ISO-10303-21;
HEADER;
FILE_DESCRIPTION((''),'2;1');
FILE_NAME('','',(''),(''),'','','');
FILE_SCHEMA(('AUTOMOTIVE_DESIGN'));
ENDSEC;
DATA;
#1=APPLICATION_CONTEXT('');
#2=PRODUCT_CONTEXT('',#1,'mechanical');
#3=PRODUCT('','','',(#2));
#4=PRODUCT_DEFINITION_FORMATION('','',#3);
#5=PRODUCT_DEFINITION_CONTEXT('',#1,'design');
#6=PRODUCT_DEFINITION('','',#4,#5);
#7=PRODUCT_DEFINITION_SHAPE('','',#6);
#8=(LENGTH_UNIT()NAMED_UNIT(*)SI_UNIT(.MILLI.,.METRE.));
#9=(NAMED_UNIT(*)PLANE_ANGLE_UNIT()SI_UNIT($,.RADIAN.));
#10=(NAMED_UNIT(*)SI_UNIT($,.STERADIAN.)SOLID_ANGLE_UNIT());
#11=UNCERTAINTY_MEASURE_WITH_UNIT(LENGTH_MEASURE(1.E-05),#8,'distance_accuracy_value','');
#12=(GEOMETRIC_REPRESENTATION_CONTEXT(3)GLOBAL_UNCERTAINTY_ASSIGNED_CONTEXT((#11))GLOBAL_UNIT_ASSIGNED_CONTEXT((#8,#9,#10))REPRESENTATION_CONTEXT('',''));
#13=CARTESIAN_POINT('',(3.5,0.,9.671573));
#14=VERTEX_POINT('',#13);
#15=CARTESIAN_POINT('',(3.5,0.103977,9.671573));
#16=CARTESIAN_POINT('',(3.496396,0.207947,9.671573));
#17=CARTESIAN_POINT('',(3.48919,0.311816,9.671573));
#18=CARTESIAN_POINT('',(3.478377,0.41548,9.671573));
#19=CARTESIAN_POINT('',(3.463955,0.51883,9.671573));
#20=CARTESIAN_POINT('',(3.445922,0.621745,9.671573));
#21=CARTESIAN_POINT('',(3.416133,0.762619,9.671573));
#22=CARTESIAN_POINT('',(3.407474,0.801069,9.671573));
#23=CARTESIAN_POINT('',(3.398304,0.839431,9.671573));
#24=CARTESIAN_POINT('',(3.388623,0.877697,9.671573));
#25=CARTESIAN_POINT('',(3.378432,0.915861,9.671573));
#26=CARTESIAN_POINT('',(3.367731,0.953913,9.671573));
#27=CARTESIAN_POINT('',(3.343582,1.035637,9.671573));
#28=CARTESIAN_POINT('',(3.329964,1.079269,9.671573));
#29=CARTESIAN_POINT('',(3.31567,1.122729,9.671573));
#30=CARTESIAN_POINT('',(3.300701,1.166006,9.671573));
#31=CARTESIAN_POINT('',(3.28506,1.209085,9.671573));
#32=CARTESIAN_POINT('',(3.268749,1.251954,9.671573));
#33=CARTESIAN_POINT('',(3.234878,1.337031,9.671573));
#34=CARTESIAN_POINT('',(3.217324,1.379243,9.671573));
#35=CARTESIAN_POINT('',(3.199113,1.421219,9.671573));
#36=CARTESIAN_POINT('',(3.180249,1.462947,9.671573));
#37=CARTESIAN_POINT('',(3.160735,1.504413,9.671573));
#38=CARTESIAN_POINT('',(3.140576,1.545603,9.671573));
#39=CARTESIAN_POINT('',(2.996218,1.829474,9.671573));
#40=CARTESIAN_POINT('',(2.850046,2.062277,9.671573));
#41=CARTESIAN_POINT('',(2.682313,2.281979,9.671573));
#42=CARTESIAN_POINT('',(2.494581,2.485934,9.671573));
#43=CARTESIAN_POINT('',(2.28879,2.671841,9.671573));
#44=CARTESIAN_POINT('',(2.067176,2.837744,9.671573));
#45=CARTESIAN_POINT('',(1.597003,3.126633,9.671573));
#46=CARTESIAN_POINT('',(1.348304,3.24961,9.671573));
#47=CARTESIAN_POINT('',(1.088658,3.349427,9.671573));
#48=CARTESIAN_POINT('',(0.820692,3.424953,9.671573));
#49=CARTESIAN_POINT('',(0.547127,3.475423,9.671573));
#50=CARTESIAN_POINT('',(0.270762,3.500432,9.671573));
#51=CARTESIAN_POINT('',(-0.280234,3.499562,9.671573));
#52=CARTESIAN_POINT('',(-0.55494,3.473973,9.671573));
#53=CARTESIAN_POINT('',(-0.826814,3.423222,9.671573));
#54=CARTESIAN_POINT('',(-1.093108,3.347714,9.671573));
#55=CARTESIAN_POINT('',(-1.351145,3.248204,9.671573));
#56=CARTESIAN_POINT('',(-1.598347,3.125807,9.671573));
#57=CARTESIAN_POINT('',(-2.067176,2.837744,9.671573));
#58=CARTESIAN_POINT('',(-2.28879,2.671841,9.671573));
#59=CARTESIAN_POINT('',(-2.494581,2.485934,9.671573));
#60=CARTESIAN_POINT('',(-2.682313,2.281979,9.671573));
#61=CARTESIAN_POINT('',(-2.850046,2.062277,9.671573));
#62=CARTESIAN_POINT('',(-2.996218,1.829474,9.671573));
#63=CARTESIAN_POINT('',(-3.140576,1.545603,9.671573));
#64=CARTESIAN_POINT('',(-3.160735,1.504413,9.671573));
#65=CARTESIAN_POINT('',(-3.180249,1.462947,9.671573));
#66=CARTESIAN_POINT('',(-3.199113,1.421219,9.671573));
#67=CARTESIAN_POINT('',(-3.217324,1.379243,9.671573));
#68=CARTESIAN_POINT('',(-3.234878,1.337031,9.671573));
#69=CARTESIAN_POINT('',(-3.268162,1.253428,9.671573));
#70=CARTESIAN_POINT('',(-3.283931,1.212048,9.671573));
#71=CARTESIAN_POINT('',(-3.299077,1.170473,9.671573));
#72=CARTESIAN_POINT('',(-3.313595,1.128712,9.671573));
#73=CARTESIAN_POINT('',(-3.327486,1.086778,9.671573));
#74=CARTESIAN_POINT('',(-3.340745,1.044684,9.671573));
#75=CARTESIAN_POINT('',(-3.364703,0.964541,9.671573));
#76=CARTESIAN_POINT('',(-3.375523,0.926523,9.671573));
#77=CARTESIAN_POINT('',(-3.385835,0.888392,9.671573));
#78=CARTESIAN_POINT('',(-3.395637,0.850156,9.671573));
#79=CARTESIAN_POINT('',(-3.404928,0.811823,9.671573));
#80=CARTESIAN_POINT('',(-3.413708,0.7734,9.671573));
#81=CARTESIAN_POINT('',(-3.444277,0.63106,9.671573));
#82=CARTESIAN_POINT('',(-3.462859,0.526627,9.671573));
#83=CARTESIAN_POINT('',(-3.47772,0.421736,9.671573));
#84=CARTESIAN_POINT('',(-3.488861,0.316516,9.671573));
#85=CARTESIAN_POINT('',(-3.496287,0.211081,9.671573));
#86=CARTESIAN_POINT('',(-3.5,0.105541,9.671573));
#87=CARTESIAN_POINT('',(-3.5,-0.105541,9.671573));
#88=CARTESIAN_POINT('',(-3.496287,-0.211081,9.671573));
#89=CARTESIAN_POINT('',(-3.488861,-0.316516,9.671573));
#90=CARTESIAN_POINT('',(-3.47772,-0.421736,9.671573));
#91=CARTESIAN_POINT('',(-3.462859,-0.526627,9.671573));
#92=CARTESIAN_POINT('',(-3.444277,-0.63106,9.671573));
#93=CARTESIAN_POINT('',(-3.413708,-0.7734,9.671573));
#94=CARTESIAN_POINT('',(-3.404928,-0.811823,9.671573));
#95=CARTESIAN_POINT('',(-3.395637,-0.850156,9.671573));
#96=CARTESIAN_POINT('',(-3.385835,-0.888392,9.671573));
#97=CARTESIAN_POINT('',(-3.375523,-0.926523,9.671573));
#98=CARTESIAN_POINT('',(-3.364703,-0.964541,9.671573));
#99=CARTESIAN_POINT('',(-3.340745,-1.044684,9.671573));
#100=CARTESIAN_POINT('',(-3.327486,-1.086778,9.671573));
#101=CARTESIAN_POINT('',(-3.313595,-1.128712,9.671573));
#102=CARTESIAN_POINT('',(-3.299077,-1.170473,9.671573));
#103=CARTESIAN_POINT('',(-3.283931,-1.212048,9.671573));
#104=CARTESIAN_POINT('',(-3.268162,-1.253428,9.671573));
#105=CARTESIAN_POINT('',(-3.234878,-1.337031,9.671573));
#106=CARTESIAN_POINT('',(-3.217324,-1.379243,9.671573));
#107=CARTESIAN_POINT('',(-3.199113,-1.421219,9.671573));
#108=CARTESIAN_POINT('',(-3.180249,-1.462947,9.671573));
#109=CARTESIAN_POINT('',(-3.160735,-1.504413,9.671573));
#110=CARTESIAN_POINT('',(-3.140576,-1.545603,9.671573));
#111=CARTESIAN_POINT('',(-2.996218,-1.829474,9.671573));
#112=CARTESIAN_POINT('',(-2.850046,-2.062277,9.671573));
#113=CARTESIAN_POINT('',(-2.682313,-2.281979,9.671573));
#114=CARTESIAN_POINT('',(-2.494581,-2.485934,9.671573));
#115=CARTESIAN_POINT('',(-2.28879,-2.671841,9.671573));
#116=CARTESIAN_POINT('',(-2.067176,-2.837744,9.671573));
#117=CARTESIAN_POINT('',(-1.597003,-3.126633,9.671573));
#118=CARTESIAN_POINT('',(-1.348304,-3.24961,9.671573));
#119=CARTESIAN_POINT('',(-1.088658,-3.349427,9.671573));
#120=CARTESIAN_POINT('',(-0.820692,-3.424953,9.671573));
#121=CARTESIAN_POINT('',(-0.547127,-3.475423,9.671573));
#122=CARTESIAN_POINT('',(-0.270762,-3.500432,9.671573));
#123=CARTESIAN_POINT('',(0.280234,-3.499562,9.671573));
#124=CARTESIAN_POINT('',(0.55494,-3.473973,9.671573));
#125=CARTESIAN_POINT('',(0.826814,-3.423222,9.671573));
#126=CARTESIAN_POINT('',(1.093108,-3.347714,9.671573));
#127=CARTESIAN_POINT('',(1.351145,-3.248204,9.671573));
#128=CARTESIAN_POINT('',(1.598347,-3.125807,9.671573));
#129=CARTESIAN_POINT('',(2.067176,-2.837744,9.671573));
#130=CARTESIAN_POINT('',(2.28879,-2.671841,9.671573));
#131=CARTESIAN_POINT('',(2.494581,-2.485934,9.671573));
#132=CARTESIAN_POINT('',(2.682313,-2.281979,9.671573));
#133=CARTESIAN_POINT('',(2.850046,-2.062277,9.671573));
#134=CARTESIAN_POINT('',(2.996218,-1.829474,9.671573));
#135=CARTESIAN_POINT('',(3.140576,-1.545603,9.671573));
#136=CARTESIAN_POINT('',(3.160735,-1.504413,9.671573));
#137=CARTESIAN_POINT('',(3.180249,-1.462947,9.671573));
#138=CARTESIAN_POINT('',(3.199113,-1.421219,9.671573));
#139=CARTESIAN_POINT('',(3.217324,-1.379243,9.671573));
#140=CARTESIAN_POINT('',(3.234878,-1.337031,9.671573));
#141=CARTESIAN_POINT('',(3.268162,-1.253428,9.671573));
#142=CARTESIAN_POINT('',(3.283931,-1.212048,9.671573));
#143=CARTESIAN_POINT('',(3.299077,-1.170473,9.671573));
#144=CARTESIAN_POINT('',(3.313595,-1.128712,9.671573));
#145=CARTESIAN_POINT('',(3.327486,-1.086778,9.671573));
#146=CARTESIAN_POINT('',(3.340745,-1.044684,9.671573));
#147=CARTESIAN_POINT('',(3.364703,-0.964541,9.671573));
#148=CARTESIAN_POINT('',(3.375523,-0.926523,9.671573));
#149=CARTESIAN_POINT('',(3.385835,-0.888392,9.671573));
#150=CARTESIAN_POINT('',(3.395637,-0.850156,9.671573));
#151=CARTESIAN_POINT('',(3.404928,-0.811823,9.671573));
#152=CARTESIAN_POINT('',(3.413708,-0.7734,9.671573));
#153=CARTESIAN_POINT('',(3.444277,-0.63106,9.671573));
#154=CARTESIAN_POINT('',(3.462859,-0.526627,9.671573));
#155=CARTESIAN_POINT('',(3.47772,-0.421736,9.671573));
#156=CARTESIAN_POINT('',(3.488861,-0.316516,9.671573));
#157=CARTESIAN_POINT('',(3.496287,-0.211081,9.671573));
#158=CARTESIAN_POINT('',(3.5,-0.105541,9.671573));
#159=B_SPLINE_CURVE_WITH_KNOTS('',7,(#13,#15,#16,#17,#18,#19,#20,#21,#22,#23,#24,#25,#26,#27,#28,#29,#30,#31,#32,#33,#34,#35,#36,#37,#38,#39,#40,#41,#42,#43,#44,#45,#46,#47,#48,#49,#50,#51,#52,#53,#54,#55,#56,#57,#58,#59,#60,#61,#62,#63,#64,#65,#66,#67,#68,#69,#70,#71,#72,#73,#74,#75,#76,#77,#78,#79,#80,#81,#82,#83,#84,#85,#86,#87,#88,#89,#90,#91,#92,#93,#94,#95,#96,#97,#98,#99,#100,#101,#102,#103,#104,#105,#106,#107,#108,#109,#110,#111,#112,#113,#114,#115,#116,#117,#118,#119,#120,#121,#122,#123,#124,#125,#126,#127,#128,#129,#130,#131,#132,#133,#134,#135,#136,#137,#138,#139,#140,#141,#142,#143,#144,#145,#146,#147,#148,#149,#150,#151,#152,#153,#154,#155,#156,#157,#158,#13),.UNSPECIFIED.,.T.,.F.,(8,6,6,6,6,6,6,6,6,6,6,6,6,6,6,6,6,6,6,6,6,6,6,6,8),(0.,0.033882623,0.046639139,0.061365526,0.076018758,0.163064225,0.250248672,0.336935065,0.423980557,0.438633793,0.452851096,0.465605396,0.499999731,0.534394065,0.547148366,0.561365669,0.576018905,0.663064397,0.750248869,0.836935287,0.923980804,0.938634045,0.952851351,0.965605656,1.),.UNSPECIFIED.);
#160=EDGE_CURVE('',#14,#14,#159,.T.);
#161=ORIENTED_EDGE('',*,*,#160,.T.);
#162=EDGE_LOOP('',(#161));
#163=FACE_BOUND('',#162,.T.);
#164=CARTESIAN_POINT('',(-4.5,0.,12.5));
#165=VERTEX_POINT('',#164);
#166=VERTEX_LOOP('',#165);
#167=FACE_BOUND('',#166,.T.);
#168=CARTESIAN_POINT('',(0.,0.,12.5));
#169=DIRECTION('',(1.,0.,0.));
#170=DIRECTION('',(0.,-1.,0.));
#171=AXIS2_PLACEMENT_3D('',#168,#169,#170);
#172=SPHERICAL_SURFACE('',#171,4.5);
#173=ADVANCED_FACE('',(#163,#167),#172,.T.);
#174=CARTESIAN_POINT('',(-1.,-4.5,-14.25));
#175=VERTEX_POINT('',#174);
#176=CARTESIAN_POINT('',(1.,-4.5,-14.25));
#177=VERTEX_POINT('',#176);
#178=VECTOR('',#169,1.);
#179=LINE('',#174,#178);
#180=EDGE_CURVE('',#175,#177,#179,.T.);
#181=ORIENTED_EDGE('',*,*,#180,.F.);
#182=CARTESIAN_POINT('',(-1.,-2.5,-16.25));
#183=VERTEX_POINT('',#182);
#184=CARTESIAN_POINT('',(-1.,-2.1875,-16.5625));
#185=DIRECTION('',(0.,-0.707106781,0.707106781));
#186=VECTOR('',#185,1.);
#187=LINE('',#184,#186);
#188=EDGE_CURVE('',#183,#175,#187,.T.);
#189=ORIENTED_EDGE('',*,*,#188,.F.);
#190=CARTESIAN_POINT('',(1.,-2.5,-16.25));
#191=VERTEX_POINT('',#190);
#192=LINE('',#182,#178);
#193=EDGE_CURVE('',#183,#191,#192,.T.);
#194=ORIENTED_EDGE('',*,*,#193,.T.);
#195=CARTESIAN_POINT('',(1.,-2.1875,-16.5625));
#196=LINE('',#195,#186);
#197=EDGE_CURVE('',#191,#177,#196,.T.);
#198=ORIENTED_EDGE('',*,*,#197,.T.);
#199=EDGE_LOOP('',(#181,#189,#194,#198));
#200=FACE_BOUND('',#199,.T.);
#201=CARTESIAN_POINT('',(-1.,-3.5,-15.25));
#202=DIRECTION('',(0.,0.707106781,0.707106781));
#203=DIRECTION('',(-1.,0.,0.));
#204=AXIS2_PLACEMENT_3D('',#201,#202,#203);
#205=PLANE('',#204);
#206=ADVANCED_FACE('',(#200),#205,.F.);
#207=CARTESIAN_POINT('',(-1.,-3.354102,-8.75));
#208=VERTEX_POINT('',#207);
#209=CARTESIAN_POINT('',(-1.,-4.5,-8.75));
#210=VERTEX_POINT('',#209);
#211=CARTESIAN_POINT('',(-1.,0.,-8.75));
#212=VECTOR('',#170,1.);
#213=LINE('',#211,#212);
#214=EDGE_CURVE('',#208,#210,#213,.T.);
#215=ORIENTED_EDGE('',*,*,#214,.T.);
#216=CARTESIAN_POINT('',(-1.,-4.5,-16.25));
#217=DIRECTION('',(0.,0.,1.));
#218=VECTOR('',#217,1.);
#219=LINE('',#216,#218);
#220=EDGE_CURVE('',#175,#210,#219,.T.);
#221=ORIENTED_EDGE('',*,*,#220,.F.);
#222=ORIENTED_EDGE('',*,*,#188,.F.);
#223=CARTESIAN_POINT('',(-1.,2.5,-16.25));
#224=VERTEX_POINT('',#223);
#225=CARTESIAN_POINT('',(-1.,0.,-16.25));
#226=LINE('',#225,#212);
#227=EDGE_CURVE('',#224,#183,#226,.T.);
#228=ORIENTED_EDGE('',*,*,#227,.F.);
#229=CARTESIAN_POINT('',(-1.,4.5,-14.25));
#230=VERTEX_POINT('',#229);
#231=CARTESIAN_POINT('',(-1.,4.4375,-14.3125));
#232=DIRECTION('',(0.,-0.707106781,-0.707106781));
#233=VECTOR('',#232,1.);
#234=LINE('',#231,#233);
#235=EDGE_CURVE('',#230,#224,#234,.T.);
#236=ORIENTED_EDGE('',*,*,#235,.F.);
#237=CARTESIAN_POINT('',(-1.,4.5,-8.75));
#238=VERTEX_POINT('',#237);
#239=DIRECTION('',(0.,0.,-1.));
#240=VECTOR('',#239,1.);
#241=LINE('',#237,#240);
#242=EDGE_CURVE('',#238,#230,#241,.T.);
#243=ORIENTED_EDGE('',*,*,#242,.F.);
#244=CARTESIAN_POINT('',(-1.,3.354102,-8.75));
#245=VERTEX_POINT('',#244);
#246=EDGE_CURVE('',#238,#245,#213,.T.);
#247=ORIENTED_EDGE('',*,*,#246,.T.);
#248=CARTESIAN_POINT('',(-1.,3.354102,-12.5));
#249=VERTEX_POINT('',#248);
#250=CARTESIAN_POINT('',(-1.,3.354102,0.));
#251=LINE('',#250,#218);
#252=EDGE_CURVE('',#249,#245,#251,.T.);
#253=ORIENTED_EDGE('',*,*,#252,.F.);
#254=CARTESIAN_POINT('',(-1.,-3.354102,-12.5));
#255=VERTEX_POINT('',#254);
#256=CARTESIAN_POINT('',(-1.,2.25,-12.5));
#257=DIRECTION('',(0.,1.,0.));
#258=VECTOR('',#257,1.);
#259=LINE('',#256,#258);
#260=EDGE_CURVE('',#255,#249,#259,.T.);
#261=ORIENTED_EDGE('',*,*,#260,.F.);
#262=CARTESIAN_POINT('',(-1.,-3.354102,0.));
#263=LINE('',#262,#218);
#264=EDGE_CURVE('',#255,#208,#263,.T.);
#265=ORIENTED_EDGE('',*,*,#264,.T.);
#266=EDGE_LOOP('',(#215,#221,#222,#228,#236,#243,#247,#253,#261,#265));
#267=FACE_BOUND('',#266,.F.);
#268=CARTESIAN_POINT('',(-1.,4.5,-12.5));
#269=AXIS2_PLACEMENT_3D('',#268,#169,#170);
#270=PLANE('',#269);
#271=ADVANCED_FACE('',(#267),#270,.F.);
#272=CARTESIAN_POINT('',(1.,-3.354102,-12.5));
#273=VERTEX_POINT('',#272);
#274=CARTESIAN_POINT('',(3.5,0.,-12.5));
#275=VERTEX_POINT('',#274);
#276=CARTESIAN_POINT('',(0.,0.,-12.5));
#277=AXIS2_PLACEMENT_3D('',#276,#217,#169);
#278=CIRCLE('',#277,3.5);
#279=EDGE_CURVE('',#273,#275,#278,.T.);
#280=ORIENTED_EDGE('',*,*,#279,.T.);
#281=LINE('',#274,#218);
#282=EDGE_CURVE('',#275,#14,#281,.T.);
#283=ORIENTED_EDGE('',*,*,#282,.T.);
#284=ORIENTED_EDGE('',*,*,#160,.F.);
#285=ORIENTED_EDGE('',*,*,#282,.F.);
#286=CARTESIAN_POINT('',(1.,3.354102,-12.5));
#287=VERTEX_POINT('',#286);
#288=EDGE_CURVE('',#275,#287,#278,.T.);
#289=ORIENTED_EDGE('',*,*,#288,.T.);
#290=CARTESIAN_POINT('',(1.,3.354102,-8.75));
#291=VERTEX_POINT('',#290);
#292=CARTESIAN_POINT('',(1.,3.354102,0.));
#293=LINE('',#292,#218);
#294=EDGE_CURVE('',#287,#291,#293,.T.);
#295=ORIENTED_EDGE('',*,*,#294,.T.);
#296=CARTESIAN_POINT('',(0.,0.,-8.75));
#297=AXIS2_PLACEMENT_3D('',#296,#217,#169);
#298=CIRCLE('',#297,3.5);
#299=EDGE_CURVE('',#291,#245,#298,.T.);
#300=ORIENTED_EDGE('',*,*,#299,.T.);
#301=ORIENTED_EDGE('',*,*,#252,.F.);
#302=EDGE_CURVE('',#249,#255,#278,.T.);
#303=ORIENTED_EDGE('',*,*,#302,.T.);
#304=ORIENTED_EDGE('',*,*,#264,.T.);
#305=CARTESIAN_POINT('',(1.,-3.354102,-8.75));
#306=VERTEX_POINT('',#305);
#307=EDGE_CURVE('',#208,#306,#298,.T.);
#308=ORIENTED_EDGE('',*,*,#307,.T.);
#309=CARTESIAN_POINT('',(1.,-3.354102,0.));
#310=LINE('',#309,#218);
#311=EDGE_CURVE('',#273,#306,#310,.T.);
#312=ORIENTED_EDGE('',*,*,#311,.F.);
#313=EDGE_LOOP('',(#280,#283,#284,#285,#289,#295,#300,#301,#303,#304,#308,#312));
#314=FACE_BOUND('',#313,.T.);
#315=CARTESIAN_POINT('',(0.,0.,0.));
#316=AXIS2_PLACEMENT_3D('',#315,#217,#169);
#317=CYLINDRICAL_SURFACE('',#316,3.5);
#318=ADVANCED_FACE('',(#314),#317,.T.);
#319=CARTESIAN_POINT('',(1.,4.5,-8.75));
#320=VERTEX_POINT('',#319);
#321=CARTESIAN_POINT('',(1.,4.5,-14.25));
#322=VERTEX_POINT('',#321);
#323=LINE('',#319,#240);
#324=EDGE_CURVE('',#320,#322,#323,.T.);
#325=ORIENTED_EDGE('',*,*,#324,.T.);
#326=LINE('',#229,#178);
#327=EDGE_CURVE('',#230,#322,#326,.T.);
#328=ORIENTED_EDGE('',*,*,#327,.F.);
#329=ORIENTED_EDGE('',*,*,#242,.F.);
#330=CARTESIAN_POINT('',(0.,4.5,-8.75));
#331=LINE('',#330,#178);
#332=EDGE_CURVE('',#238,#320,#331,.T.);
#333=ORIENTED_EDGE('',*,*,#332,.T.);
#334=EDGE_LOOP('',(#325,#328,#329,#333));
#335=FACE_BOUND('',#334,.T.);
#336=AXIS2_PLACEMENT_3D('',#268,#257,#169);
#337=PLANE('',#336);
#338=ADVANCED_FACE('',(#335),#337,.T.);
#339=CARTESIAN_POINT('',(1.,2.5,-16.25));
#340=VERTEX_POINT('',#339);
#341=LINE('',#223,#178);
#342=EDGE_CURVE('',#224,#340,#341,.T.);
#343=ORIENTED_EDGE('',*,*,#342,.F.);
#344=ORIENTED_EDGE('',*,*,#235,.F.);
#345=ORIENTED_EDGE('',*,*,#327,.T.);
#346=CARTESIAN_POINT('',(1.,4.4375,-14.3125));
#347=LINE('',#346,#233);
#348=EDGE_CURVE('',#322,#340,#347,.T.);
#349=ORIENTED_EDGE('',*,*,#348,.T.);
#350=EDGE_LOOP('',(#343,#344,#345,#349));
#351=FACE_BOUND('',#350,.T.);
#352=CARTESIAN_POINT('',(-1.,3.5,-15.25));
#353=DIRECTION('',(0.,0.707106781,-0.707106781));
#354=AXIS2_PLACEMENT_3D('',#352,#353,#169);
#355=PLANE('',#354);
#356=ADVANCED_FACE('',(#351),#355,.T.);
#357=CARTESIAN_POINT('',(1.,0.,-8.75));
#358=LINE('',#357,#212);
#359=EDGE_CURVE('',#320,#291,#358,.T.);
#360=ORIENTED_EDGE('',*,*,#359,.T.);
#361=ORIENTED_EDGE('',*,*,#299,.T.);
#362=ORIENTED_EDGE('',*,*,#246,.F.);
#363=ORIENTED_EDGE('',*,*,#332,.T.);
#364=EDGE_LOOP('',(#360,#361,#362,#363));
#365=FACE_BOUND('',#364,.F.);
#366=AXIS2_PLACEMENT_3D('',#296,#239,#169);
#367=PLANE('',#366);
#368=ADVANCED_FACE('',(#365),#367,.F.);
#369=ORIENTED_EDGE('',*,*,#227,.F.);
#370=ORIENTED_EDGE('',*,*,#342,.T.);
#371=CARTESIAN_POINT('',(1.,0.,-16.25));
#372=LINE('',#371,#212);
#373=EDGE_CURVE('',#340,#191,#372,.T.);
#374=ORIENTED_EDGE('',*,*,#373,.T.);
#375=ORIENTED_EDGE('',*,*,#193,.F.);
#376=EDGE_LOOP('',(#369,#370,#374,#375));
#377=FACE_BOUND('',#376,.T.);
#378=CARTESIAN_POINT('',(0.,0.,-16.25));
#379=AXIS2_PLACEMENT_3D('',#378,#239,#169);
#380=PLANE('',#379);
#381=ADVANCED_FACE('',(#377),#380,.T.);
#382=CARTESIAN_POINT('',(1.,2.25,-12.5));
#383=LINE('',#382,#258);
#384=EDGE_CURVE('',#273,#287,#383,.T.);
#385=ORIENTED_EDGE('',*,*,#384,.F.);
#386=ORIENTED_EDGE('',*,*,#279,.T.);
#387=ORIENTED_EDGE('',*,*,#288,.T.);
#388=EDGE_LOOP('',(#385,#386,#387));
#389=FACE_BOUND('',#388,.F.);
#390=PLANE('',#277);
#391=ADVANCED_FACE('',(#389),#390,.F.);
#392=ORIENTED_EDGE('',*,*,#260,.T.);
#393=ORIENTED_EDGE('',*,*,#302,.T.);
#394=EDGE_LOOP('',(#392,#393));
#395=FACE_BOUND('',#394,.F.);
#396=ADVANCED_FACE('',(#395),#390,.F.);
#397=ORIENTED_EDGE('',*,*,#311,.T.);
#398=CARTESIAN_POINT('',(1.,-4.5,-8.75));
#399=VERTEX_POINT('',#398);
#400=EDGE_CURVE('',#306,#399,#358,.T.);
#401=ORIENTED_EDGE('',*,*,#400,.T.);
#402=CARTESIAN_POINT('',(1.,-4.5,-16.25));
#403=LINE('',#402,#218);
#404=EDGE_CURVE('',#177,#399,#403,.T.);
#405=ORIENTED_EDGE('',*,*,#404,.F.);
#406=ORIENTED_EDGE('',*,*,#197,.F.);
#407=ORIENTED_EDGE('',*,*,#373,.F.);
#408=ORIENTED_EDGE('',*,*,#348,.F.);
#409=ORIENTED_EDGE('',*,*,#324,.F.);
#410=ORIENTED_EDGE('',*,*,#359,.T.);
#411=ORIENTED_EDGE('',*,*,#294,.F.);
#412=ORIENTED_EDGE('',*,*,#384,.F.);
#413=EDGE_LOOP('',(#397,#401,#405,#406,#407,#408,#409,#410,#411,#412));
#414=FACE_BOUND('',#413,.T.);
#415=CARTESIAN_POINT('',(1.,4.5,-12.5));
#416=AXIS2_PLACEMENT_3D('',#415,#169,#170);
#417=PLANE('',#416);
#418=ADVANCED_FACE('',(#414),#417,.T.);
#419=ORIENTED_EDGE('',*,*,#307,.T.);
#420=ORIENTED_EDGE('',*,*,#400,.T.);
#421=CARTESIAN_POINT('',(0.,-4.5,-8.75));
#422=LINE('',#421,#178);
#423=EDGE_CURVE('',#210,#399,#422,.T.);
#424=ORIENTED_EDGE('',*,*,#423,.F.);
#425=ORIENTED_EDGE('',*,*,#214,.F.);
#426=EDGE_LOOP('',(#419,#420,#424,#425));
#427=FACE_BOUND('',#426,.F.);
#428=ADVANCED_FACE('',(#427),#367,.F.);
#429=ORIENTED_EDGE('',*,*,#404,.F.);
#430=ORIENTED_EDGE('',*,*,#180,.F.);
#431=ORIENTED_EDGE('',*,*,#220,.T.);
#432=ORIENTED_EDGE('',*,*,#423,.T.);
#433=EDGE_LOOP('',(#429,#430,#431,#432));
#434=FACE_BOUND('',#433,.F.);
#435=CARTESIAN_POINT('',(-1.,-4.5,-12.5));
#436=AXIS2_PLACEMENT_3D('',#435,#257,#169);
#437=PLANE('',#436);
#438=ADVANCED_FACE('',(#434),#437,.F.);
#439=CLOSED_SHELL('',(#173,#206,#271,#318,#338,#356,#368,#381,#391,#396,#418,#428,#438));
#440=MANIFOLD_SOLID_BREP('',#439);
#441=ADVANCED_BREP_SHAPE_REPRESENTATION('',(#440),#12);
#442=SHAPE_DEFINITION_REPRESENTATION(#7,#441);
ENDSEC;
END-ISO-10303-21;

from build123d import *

# Parameters (mm, degrees)
F0_R     = 3.5
F1_DEPTH = 12.5
F2_W     = 2
F2_H     = 9
F3_DEPTH = 3.75
F7_SIZE  = 2


with BuildPart() as f1:
    # F0 (on Top) → F1 (new body, symmetric)
    with BuildSketch(Plane.XY):
        Circle(F0_R)
    extrude(amount=F1_DEPTH, both=True)

    # F2 (on face) → F3 (join, symmetric)
    with BuildSketch(Plane(origin=(0, 0, -12.5), x_dir=(1, 0, 0), z_dir=(0, 0, -1))):
        Rectangle(F2_W, F2_H)
    extrude(amount=F3_DEPTH, both=True)

    # F5 (on face) → F6 (revolve)
    with BuildSketch(Plane.XY.offset(12.5)):
        with BuildLine():
            Line((4.5, 0), (-4.5, 0))
            ThreePointArc((-4.5, 0), (0, -4.5), (4.5, 0))
        make_face()
    revolve(axis=Axis((-0.09783, 0, 12.5), (1, 0, 0)))

    # F7
    f7_edges = [f1.edges().sort_by_distance(p)[0] for p in [
        (0, -4.5, -16.25),
        (0, 4.5, -16.25),
    ]]
    chamfer(f7_edges, length=F7_SIZE)


solid = f1.part
